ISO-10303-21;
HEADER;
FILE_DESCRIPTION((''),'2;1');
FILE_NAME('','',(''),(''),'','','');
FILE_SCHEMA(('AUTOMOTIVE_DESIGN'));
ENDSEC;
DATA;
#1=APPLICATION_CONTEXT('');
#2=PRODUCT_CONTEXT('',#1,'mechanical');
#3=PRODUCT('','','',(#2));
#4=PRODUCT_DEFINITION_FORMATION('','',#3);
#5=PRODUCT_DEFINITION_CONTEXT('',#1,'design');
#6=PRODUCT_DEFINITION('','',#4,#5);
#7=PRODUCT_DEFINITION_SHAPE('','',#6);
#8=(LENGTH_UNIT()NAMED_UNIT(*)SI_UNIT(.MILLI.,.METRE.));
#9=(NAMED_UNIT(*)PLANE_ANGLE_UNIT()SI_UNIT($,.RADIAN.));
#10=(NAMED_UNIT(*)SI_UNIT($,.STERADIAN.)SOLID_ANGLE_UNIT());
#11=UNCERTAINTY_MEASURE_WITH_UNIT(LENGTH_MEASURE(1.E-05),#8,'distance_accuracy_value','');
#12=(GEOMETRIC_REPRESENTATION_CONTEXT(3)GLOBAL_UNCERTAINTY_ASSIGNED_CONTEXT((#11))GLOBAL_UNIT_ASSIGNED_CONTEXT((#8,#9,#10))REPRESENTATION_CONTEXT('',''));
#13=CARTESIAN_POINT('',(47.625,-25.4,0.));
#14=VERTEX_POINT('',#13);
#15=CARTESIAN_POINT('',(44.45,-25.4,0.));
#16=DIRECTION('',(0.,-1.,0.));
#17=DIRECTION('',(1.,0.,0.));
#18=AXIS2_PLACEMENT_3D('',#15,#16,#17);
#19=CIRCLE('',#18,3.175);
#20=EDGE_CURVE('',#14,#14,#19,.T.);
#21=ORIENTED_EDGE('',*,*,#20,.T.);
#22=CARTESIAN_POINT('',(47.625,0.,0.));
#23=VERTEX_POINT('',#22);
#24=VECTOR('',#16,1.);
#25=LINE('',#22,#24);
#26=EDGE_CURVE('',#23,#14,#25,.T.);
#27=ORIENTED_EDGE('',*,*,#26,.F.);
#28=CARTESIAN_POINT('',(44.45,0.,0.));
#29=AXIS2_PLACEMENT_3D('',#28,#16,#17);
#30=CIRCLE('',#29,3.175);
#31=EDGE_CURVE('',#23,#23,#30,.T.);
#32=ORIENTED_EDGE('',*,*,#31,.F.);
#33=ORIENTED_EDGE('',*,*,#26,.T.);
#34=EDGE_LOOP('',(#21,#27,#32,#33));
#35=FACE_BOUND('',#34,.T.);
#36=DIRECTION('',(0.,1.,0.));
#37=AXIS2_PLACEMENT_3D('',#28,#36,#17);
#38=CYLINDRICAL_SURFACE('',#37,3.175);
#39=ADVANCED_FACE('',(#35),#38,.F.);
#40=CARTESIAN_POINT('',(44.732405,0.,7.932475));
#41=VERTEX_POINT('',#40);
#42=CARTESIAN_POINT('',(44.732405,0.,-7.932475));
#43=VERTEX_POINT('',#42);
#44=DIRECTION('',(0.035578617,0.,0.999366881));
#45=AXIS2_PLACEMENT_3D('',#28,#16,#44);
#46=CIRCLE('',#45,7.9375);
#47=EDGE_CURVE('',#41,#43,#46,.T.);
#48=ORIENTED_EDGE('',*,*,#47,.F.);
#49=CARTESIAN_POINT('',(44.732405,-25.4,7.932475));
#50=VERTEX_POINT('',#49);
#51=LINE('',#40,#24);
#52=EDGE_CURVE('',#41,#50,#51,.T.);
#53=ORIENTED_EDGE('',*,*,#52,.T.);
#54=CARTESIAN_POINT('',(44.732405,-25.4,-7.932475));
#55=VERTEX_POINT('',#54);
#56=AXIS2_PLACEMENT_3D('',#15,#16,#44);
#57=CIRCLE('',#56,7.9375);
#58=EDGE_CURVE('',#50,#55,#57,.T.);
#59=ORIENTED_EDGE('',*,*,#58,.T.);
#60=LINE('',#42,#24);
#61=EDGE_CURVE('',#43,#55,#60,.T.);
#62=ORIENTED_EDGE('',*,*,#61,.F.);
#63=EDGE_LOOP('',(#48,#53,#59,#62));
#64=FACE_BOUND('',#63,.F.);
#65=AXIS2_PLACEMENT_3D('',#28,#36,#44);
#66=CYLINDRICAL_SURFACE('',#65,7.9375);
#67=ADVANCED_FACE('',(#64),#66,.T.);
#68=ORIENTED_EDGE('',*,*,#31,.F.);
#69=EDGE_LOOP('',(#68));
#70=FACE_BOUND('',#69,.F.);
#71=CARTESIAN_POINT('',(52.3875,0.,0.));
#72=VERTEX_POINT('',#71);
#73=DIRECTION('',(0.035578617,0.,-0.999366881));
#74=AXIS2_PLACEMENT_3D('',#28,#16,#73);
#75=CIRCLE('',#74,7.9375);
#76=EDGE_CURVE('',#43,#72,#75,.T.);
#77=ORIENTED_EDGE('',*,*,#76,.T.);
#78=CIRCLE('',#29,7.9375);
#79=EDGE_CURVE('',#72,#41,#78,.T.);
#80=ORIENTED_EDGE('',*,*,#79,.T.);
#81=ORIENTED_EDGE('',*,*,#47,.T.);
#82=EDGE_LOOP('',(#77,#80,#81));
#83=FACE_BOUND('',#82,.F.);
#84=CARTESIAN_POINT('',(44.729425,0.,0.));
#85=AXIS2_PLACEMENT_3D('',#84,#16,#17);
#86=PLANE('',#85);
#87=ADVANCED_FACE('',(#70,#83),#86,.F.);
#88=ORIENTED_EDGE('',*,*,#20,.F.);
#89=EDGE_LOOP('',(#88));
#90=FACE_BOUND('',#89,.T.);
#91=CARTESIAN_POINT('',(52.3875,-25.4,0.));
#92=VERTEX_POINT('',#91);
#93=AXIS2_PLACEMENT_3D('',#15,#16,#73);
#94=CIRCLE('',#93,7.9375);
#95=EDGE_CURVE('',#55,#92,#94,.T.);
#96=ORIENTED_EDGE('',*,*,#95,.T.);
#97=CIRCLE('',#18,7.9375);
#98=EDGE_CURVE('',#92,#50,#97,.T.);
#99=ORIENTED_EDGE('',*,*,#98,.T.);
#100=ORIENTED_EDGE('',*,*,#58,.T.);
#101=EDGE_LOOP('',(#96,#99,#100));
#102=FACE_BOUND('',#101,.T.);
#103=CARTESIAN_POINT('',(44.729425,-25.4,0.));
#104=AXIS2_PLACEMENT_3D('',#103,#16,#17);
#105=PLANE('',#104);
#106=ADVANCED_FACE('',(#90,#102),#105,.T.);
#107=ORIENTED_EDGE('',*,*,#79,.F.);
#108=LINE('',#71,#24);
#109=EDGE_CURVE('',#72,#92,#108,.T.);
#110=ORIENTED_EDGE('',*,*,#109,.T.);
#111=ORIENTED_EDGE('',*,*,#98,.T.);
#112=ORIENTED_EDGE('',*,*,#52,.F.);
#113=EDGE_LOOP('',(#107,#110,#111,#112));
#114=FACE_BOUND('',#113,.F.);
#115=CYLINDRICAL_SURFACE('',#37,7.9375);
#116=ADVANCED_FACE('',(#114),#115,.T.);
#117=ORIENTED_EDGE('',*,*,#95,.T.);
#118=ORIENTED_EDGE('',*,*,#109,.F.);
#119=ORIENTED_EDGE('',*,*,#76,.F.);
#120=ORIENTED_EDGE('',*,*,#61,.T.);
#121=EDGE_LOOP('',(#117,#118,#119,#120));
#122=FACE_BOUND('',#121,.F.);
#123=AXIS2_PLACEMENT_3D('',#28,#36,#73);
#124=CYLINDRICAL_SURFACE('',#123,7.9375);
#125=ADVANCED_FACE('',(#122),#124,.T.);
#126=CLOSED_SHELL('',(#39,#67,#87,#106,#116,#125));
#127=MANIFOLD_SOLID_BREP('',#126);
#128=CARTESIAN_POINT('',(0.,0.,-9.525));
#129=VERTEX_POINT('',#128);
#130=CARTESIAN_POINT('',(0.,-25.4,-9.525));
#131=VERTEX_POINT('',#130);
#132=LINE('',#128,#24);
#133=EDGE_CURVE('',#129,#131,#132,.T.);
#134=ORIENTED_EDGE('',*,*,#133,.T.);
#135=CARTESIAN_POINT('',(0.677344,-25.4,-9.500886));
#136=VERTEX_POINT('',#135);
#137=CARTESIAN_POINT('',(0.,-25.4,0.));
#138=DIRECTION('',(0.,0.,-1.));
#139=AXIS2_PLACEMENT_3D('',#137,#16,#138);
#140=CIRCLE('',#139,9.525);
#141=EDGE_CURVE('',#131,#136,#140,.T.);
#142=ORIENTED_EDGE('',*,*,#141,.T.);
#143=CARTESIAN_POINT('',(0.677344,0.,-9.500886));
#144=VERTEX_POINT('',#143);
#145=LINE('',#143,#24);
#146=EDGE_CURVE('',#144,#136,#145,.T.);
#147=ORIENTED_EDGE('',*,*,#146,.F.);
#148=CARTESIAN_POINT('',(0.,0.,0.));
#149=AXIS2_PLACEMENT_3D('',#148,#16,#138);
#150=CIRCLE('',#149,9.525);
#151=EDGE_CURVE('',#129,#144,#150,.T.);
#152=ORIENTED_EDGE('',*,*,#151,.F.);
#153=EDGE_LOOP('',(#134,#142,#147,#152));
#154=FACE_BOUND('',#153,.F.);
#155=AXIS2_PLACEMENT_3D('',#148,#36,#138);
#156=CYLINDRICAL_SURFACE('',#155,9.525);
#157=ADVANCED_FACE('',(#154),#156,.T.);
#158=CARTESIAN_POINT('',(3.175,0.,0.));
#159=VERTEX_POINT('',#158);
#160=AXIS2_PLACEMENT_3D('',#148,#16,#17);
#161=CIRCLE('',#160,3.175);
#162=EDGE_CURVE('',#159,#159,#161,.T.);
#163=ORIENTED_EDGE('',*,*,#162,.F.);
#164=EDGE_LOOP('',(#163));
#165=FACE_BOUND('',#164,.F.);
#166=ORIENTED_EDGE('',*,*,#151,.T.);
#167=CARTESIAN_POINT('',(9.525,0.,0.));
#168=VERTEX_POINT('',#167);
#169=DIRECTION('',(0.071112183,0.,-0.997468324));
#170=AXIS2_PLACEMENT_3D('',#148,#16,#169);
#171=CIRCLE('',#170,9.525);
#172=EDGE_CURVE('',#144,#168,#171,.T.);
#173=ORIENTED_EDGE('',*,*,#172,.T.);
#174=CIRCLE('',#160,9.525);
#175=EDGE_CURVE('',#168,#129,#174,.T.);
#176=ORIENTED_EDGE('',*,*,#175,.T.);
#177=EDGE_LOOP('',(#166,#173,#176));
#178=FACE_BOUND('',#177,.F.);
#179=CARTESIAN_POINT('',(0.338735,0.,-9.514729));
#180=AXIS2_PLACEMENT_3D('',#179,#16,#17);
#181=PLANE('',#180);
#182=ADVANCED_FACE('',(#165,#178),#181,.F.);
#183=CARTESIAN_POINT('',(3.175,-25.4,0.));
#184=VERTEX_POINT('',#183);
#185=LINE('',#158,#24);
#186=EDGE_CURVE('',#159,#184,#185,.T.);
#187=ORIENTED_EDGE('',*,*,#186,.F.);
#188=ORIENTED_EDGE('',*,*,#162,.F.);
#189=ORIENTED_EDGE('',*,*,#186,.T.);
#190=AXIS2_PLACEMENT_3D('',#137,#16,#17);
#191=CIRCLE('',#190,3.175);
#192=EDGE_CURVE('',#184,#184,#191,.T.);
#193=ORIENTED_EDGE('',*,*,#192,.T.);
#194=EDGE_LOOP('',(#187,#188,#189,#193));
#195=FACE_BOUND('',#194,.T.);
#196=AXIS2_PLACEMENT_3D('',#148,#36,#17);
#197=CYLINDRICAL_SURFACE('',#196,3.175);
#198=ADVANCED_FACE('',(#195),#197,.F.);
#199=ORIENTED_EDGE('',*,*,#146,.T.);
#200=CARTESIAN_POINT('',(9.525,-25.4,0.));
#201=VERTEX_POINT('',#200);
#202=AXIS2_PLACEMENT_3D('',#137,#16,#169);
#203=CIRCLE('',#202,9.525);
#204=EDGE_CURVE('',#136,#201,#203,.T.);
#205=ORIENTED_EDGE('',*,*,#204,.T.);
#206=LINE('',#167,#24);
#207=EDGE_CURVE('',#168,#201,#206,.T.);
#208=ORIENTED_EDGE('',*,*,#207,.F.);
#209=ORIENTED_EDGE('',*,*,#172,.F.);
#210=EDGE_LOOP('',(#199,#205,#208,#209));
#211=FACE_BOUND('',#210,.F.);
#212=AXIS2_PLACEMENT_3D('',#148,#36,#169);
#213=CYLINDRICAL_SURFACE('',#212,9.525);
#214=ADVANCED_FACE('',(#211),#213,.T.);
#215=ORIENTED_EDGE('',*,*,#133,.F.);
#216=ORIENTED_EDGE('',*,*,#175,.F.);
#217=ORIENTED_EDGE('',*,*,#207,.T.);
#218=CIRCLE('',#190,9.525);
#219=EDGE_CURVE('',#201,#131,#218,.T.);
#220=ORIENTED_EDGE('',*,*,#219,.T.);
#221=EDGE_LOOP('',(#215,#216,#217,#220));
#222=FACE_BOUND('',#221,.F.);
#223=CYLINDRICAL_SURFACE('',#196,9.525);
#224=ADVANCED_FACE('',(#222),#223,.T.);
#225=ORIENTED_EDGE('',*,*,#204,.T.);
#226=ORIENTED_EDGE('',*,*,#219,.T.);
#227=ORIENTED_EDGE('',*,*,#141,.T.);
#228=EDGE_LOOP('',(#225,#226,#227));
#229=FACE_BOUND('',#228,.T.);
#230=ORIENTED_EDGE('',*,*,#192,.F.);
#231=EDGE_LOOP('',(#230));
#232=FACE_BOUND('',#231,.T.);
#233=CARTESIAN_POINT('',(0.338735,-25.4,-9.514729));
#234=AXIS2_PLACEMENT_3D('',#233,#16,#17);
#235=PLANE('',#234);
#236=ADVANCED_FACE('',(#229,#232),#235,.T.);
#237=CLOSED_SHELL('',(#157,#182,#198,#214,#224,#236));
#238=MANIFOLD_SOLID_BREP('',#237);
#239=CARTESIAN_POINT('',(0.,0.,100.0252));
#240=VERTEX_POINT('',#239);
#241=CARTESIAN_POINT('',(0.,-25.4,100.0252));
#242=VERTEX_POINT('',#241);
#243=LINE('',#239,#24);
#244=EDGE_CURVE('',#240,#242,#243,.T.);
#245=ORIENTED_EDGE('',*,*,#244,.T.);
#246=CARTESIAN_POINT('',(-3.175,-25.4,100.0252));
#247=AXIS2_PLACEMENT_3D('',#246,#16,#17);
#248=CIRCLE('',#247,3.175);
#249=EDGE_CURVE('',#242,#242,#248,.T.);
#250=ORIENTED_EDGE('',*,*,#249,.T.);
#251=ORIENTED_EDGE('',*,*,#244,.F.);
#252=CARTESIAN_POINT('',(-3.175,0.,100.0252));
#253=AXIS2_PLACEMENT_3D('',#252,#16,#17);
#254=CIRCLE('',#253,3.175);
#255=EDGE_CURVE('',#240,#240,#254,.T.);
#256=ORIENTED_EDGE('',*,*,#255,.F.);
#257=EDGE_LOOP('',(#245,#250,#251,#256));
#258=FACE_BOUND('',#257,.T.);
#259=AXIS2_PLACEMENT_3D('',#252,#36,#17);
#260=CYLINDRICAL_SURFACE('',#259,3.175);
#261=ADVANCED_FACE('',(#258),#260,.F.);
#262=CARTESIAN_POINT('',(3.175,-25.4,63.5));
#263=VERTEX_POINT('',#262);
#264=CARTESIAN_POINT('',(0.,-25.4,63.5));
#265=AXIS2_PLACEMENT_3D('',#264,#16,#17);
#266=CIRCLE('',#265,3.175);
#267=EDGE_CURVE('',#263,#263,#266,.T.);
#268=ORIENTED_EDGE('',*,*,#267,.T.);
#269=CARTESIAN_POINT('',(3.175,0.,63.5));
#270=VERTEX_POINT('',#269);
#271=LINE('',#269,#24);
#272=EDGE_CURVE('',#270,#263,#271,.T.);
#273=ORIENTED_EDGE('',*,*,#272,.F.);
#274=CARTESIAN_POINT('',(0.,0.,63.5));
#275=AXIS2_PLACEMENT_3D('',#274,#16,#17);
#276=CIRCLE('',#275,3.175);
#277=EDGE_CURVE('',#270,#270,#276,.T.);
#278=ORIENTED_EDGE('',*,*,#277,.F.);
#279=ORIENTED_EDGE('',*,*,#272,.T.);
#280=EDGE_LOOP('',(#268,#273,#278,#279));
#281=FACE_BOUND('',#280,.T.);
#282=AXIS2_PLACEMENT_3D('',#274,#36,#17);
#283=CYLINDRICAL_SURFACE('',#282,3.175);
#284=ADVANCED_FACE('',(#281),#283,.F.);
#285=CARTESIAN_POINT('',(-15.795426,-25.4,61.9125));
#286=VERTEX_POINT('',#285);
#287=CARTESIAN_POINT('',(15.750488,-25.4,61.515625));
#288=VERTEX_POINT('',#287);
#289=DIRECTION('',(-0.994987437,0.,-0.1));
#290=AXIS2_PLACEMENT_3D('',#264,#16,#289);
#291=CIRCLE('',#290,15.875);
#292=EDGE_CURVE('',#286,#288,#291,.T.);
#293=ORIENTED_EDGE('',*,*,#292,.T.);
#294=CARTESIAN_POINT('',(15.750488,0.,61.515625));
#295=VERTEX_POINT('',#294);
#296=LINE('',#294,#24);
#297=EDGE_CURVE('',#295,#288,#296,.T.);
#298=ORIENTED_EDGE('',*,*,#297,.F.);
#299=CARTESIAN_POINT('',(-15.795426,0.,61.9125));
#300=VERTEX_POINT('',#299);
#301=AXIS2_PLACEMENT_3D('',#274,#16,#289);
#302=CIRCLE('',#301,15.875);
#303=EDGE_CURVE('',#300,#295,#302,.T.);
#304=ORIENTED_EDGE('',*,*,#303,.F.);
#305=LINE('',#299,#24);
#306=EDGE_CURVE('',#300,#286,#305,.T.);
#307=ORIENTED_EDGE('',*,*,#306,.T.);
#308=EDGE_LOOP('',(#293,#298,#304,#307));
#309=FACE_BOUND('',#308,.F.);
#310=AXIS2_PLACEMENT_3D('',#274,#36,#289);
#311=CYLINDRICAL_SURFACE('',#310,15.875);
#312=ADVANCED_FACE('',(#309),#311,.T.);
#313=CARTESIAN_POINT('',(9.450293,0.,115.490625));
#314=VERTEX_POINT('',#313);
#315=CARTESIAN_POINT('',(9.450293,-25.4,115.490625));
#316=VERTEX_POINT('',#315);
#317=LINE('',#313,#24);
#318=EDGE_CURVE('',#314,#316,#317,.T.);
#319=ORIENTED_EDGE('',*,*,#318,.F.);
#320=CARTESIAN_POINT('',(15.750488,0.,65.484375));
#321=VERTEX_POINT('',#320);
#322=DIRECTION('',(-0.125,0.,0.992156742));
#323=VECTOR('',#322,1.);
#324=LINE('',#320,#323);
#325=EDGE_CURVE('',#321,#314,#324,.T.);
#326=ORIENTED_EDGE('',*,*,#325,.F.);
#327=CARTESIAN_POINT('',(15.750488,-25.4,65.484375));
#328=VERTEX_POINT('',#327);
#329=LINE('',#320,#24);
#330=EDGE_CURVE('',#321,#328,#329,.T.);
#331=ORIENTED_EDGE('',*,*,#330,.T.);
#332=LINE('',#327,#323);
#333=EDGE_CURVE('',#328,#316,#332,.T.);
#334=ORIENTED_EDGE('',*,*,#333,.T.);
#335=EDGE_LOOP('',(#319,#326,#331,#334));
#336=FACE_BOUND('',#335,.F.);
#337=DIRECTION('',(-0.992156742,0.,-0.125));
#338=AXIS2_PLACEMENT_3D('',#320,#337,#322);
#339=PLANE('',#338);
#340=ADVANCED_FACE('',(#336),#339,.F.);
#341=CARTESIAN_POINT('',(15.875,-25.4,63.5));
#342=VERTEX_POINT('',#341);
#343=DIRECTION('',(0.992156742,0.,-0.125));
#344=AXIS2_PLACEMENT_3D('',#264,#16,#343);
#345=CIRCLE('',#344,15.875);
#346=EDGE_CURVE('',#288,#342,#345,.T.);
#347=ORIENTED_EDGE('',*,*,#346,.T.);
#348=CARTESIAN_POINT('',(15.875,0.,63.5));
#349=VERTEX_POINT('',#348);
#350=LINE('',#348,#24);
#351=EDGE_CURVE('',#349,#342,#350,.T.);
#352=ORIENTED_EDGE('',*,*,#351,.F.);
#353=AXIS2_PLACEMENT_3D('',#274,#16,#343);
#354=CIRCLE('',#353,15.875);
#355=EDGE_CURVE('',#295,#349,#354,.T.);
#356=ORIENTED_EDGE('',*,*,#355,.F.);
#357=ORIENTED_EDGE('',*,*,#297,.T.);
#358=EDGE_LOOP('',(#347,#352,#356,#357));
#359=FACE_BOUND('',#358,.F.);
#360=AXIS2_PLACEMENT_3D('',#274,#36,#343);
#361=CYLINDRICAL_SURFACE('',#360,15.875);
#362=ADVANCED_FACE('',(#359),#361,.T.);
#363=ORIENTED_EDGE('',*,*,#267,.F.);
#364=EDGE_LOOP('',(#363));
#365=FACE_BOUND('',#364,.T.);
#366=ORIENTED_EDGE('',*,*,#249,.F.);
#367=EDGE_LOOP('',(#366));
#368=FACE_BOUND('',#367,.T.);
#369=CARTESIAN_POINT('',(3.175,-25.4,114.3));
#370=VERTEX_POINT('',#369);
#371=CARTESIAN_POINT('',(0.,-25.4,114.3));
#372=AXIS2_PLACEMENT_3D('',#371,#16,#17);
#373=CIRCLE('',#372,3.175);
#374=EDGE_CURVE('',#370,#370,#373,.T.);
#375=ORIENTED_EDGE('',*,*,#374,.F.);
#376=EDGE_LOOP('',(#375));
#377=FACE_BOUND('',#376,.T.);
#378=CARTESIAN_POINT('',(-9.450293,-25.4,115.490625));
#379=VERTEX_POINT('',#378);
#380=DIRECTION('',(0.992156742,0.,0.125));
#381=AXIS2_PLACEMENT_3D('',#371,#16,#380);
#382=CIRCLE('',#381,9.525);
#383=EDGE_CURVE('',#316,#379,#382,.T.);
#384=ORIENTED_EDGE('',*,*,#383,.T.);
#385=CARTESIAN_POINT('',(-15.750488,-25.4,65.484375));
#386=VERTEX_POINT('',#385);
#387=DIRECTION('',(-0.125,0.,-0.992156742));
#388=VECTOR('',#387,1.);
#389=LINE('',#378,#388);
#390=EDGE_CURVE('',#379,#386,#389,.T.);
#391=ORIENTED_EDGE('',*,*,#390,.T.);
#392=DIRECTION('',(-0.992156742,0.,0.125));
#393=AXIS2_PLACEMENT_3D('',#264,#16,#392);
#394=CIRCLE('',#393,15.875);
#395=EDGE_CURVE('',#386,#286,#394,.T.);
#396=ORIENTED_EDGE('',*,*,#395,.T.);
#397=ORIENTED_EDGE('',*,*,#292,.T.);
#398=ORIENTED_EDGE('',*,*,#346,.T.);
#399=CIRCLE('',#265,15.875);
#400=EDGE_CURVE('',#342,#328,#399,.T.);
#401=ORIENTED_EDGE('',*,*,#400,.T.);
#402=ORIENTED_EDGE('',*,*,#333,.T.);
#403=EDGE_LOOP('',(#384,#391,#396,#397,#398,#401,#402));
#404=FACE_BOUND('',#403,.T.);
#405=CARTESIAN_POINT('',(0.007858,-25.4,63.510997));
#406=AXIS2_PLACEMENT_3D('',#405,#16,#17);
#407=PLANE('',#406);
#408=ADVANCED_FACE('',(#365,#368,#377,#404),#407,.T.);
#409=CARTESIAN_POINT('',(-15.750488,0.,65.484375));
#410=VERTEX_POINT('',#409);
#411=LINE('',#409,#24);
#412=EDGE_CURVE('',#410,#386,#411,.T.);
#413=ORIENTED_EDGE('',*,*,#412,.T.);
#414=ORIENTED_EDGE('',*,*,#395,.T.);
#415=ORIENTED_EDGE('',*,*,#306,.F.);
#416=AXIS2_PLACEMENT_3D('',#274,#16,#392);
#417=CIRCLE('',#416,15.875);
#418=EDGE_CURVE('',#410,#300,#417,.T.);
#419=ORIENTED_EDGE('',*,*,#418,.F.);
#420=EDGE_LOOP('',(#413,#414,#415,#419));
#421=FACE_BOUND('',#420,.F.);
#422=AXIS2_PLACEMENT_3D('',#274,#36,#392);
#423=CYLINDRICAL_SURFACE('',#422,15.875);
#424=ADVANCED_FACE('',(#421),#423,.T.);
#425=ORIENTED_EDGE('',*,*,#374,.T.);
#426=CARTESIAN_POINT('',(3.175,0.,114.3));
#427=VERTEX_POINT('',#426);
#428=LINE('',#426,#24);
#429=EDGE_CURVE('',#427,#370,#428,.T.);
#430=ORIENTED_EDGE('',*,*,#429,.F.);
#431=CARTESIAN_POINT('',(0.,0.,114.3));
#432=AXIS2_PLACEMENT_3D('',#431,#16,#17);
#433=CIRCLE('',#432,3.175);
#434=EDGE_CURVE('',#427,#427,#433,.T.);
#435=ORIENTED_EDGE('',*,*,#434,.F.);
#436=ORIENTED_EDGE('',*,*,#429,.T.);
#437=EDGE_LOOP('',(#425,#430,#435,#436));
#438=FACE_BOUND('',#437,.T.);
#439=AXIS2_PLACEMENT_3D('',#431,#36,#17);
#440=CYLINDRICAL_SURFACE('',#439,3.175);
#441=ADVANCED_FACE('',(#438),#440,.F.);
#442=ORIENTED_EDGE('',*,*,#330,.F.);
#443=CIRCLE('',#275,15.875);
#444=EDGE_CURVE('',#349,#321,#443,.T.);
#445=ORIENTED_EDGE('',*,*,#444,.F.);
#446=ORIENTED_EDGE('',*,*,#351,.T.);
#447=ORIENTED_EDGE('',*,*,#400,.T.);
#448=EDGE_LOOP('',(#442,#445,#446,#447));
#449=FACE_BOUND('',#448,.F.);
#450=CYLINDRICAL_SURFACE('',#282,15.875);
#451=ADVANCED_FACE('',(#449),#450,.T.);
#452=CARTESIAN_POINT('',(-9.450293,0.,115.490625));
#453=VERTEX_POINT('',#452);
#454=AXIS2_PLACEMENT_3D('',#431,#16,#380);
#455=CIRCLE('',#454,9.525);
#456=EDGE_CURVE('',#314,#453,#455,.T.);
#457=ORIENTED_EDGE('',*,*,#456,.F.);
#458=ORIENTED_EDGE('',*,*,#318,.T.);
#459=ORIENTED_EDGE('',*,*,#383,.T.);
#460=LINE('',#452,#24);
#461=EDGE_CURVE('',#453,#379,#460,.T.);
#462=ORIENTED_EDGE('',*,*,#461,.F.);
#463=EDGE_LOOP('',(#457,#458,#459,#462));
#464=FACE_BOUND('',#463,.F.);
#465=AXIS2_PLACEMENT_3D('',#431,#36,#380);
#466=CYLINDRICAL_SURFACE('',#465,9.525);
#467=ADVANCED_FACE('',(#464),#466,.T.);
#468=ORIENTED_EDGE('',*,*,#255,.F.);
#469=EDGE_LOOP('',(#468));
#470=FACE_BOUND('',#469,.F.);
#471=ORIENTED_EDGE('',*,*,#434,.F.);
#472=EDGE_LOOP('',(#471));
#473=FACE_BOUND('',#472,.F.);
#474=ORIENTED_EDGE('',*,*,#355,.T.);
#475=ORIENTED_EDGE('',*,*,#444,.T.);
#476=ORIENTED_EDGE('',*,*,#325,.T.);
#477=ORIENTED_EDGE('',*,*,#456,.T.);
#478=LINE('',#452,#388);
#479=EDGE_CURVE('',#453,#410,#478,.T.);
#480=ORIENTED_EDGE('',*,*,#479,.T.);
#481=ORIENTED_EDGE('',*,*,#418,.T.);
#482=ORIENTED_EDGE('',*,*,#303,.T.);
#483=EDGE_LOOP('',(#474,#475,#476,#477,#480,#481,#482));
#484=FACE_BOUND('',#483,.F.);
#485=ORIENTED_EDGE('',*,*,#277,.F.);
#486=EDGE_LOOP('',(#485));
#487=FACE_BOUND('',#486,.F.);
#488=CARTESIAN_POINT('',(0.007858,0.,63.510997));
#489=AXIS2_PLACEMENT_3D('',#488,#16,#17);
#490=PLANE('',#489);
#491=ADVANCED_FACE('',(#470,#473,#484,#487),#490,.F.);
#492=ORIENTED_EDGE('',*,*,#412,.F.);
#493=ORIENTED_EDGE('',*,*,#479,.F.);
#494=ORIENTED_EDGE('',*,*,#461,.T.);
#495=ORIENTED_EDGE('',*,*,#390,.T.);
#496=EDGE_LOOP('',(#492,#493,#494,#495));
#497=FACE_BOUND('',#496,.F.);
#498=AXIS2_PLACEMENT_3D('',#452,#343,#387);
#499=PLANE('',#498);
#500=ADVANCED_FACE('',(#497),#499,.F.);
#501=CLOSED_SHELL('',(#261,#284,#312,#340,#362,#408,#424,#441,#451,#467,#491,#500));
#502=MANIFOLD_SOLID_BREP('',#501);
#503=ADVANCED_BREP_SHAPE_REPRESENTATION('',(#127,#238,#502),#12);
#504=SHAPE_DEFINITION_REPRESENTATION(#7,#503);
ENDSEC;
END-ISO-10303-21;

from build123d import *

# Parameters (mm, degrees)
F0_R     = 3.175
F1_DEPTH = 25.4


with BuildPart() as f1:
    # F0 (on Front) → F1 (new body)
    with BuildSketch(Plane.XZ):
        with BuildLine():
            Line((0.6773435479, -9.500885786), (0, -9.525))
            ThreePointArc((0, -9.525), (0.3388863295, -9.5189695375), (0.6773435479, -9.500885786))
        make_face()
        with BuildLine():
            ThreePointArc((0.6773435479, -9.500885786), (6.9705567315, -6.4912990883), (9.525, 0))
            ThreePointArc((9.525, 0), (-6.7351920908, 6.7351920908), (0, -9.525))
            Line((0, -9.525), (0.6773435479, -9.500885786))
        make_face()
        Circle(F0_R, mode=Mode.SUBTRACT)
    extrude(amount=F1_DEPTH)


with BuildPart() as f1b:
    # F0 (on Front) → F1, piece 2 (new body)
    with BuildSketch(Plane.XZ):
        with BuildLine():
            ThreePointArc((44.7324052746, 7.9324746146), (36.5125, 0), (44.7324052746, -7.9324746146))
            ThreePointArc((44.7324052746, -7.9324746146), (50.1616327839, -5.5119104847), (52.3875, 0))
            ThreePointArc((52.3875, 0), (50.1616327839, 5.5119104847), (44.7324052746, 7.9324746146))
        make_face()
        with Locations((44.45, 0)):
            Circle(F0_R, mode=Mode.SUBTRACT)
    extrude(amount=F1_DEPTH)


with BuildPart() as f1c:
    # F0 (on Front) → F1, piece 3 (new body)
    with BuildSketch(Plane.XZ):
        with BuildLine():
            ThreePointArc((-15.7954255641, 61.9125), (-0.1997054867, 47.6262561845), (15.7504882737, 61.515625))
            ThreePointArc((15.7504882737, 61.515625), (15.8438414904, 62.5058612634), (15.875, 63.5))
            ThreePointArc((15.875, 63.5), (15.8438414904, 64.4941387366), (15.7504882737, 65.484375))
            ThreePointArc((15.7504882737, 65.484375), (0, 79.375), (-15.7504882737, 65.484375))
            ThreePointArc((-15.7504882737, 65.484375), (-15.8737438155, 63.6997054867), (-15.7954255641, 61.9125))
        make_face()
        with Locations((0, 63.5)):
            Circle(F0_R, mode=Mode.SUBTRACT)
        with BuildLine():
            Line((-9.4502929642, 115.490625), (-15.7504882737, 65.484375))
            ThreePointArc((-15.7504882737, 65.484375), (0, 79.375), (15.7504882737, 65.484375))
            Line((15.7504882737, 65.484375), (9.4502929642, 115.490625))
            ThreePointArc((9.4502929642, 115.490625), (9.5063048942, 114.896483242), (9.525, 114.3))
            ThreePointArc((9.525, 114.3), (-0.596483242, 104.7936951058), (-9.4502929642, 115.490625))
        make_face()
        with Locations((-3.175, 100.0252)):
            Circle(F0_R, mode=Mode.SUBTRACT)
        with BuildLine():
            ThreePointArc((9.4502929642, 115.490625), (0, 123.825), (-9.4502929642, 115.490625))
            ThreePointArc((-9.4502929642, 115.490625), (-0.596483242, 104.7936951058), (9.525, 114.3))
            ThreePointArc((9.525, 114.3), (9.5063048942, 114.896483242), (9.4502929642, 115.490625))
        make_face()
        with Locations((0, 114.3)):
            Circle(F0_R, mode=Mode.SUBTRACT)
    extrude(amount=F1_DEPTH)


solid = Compound([f1.part, f1b.part, f1c.part])
